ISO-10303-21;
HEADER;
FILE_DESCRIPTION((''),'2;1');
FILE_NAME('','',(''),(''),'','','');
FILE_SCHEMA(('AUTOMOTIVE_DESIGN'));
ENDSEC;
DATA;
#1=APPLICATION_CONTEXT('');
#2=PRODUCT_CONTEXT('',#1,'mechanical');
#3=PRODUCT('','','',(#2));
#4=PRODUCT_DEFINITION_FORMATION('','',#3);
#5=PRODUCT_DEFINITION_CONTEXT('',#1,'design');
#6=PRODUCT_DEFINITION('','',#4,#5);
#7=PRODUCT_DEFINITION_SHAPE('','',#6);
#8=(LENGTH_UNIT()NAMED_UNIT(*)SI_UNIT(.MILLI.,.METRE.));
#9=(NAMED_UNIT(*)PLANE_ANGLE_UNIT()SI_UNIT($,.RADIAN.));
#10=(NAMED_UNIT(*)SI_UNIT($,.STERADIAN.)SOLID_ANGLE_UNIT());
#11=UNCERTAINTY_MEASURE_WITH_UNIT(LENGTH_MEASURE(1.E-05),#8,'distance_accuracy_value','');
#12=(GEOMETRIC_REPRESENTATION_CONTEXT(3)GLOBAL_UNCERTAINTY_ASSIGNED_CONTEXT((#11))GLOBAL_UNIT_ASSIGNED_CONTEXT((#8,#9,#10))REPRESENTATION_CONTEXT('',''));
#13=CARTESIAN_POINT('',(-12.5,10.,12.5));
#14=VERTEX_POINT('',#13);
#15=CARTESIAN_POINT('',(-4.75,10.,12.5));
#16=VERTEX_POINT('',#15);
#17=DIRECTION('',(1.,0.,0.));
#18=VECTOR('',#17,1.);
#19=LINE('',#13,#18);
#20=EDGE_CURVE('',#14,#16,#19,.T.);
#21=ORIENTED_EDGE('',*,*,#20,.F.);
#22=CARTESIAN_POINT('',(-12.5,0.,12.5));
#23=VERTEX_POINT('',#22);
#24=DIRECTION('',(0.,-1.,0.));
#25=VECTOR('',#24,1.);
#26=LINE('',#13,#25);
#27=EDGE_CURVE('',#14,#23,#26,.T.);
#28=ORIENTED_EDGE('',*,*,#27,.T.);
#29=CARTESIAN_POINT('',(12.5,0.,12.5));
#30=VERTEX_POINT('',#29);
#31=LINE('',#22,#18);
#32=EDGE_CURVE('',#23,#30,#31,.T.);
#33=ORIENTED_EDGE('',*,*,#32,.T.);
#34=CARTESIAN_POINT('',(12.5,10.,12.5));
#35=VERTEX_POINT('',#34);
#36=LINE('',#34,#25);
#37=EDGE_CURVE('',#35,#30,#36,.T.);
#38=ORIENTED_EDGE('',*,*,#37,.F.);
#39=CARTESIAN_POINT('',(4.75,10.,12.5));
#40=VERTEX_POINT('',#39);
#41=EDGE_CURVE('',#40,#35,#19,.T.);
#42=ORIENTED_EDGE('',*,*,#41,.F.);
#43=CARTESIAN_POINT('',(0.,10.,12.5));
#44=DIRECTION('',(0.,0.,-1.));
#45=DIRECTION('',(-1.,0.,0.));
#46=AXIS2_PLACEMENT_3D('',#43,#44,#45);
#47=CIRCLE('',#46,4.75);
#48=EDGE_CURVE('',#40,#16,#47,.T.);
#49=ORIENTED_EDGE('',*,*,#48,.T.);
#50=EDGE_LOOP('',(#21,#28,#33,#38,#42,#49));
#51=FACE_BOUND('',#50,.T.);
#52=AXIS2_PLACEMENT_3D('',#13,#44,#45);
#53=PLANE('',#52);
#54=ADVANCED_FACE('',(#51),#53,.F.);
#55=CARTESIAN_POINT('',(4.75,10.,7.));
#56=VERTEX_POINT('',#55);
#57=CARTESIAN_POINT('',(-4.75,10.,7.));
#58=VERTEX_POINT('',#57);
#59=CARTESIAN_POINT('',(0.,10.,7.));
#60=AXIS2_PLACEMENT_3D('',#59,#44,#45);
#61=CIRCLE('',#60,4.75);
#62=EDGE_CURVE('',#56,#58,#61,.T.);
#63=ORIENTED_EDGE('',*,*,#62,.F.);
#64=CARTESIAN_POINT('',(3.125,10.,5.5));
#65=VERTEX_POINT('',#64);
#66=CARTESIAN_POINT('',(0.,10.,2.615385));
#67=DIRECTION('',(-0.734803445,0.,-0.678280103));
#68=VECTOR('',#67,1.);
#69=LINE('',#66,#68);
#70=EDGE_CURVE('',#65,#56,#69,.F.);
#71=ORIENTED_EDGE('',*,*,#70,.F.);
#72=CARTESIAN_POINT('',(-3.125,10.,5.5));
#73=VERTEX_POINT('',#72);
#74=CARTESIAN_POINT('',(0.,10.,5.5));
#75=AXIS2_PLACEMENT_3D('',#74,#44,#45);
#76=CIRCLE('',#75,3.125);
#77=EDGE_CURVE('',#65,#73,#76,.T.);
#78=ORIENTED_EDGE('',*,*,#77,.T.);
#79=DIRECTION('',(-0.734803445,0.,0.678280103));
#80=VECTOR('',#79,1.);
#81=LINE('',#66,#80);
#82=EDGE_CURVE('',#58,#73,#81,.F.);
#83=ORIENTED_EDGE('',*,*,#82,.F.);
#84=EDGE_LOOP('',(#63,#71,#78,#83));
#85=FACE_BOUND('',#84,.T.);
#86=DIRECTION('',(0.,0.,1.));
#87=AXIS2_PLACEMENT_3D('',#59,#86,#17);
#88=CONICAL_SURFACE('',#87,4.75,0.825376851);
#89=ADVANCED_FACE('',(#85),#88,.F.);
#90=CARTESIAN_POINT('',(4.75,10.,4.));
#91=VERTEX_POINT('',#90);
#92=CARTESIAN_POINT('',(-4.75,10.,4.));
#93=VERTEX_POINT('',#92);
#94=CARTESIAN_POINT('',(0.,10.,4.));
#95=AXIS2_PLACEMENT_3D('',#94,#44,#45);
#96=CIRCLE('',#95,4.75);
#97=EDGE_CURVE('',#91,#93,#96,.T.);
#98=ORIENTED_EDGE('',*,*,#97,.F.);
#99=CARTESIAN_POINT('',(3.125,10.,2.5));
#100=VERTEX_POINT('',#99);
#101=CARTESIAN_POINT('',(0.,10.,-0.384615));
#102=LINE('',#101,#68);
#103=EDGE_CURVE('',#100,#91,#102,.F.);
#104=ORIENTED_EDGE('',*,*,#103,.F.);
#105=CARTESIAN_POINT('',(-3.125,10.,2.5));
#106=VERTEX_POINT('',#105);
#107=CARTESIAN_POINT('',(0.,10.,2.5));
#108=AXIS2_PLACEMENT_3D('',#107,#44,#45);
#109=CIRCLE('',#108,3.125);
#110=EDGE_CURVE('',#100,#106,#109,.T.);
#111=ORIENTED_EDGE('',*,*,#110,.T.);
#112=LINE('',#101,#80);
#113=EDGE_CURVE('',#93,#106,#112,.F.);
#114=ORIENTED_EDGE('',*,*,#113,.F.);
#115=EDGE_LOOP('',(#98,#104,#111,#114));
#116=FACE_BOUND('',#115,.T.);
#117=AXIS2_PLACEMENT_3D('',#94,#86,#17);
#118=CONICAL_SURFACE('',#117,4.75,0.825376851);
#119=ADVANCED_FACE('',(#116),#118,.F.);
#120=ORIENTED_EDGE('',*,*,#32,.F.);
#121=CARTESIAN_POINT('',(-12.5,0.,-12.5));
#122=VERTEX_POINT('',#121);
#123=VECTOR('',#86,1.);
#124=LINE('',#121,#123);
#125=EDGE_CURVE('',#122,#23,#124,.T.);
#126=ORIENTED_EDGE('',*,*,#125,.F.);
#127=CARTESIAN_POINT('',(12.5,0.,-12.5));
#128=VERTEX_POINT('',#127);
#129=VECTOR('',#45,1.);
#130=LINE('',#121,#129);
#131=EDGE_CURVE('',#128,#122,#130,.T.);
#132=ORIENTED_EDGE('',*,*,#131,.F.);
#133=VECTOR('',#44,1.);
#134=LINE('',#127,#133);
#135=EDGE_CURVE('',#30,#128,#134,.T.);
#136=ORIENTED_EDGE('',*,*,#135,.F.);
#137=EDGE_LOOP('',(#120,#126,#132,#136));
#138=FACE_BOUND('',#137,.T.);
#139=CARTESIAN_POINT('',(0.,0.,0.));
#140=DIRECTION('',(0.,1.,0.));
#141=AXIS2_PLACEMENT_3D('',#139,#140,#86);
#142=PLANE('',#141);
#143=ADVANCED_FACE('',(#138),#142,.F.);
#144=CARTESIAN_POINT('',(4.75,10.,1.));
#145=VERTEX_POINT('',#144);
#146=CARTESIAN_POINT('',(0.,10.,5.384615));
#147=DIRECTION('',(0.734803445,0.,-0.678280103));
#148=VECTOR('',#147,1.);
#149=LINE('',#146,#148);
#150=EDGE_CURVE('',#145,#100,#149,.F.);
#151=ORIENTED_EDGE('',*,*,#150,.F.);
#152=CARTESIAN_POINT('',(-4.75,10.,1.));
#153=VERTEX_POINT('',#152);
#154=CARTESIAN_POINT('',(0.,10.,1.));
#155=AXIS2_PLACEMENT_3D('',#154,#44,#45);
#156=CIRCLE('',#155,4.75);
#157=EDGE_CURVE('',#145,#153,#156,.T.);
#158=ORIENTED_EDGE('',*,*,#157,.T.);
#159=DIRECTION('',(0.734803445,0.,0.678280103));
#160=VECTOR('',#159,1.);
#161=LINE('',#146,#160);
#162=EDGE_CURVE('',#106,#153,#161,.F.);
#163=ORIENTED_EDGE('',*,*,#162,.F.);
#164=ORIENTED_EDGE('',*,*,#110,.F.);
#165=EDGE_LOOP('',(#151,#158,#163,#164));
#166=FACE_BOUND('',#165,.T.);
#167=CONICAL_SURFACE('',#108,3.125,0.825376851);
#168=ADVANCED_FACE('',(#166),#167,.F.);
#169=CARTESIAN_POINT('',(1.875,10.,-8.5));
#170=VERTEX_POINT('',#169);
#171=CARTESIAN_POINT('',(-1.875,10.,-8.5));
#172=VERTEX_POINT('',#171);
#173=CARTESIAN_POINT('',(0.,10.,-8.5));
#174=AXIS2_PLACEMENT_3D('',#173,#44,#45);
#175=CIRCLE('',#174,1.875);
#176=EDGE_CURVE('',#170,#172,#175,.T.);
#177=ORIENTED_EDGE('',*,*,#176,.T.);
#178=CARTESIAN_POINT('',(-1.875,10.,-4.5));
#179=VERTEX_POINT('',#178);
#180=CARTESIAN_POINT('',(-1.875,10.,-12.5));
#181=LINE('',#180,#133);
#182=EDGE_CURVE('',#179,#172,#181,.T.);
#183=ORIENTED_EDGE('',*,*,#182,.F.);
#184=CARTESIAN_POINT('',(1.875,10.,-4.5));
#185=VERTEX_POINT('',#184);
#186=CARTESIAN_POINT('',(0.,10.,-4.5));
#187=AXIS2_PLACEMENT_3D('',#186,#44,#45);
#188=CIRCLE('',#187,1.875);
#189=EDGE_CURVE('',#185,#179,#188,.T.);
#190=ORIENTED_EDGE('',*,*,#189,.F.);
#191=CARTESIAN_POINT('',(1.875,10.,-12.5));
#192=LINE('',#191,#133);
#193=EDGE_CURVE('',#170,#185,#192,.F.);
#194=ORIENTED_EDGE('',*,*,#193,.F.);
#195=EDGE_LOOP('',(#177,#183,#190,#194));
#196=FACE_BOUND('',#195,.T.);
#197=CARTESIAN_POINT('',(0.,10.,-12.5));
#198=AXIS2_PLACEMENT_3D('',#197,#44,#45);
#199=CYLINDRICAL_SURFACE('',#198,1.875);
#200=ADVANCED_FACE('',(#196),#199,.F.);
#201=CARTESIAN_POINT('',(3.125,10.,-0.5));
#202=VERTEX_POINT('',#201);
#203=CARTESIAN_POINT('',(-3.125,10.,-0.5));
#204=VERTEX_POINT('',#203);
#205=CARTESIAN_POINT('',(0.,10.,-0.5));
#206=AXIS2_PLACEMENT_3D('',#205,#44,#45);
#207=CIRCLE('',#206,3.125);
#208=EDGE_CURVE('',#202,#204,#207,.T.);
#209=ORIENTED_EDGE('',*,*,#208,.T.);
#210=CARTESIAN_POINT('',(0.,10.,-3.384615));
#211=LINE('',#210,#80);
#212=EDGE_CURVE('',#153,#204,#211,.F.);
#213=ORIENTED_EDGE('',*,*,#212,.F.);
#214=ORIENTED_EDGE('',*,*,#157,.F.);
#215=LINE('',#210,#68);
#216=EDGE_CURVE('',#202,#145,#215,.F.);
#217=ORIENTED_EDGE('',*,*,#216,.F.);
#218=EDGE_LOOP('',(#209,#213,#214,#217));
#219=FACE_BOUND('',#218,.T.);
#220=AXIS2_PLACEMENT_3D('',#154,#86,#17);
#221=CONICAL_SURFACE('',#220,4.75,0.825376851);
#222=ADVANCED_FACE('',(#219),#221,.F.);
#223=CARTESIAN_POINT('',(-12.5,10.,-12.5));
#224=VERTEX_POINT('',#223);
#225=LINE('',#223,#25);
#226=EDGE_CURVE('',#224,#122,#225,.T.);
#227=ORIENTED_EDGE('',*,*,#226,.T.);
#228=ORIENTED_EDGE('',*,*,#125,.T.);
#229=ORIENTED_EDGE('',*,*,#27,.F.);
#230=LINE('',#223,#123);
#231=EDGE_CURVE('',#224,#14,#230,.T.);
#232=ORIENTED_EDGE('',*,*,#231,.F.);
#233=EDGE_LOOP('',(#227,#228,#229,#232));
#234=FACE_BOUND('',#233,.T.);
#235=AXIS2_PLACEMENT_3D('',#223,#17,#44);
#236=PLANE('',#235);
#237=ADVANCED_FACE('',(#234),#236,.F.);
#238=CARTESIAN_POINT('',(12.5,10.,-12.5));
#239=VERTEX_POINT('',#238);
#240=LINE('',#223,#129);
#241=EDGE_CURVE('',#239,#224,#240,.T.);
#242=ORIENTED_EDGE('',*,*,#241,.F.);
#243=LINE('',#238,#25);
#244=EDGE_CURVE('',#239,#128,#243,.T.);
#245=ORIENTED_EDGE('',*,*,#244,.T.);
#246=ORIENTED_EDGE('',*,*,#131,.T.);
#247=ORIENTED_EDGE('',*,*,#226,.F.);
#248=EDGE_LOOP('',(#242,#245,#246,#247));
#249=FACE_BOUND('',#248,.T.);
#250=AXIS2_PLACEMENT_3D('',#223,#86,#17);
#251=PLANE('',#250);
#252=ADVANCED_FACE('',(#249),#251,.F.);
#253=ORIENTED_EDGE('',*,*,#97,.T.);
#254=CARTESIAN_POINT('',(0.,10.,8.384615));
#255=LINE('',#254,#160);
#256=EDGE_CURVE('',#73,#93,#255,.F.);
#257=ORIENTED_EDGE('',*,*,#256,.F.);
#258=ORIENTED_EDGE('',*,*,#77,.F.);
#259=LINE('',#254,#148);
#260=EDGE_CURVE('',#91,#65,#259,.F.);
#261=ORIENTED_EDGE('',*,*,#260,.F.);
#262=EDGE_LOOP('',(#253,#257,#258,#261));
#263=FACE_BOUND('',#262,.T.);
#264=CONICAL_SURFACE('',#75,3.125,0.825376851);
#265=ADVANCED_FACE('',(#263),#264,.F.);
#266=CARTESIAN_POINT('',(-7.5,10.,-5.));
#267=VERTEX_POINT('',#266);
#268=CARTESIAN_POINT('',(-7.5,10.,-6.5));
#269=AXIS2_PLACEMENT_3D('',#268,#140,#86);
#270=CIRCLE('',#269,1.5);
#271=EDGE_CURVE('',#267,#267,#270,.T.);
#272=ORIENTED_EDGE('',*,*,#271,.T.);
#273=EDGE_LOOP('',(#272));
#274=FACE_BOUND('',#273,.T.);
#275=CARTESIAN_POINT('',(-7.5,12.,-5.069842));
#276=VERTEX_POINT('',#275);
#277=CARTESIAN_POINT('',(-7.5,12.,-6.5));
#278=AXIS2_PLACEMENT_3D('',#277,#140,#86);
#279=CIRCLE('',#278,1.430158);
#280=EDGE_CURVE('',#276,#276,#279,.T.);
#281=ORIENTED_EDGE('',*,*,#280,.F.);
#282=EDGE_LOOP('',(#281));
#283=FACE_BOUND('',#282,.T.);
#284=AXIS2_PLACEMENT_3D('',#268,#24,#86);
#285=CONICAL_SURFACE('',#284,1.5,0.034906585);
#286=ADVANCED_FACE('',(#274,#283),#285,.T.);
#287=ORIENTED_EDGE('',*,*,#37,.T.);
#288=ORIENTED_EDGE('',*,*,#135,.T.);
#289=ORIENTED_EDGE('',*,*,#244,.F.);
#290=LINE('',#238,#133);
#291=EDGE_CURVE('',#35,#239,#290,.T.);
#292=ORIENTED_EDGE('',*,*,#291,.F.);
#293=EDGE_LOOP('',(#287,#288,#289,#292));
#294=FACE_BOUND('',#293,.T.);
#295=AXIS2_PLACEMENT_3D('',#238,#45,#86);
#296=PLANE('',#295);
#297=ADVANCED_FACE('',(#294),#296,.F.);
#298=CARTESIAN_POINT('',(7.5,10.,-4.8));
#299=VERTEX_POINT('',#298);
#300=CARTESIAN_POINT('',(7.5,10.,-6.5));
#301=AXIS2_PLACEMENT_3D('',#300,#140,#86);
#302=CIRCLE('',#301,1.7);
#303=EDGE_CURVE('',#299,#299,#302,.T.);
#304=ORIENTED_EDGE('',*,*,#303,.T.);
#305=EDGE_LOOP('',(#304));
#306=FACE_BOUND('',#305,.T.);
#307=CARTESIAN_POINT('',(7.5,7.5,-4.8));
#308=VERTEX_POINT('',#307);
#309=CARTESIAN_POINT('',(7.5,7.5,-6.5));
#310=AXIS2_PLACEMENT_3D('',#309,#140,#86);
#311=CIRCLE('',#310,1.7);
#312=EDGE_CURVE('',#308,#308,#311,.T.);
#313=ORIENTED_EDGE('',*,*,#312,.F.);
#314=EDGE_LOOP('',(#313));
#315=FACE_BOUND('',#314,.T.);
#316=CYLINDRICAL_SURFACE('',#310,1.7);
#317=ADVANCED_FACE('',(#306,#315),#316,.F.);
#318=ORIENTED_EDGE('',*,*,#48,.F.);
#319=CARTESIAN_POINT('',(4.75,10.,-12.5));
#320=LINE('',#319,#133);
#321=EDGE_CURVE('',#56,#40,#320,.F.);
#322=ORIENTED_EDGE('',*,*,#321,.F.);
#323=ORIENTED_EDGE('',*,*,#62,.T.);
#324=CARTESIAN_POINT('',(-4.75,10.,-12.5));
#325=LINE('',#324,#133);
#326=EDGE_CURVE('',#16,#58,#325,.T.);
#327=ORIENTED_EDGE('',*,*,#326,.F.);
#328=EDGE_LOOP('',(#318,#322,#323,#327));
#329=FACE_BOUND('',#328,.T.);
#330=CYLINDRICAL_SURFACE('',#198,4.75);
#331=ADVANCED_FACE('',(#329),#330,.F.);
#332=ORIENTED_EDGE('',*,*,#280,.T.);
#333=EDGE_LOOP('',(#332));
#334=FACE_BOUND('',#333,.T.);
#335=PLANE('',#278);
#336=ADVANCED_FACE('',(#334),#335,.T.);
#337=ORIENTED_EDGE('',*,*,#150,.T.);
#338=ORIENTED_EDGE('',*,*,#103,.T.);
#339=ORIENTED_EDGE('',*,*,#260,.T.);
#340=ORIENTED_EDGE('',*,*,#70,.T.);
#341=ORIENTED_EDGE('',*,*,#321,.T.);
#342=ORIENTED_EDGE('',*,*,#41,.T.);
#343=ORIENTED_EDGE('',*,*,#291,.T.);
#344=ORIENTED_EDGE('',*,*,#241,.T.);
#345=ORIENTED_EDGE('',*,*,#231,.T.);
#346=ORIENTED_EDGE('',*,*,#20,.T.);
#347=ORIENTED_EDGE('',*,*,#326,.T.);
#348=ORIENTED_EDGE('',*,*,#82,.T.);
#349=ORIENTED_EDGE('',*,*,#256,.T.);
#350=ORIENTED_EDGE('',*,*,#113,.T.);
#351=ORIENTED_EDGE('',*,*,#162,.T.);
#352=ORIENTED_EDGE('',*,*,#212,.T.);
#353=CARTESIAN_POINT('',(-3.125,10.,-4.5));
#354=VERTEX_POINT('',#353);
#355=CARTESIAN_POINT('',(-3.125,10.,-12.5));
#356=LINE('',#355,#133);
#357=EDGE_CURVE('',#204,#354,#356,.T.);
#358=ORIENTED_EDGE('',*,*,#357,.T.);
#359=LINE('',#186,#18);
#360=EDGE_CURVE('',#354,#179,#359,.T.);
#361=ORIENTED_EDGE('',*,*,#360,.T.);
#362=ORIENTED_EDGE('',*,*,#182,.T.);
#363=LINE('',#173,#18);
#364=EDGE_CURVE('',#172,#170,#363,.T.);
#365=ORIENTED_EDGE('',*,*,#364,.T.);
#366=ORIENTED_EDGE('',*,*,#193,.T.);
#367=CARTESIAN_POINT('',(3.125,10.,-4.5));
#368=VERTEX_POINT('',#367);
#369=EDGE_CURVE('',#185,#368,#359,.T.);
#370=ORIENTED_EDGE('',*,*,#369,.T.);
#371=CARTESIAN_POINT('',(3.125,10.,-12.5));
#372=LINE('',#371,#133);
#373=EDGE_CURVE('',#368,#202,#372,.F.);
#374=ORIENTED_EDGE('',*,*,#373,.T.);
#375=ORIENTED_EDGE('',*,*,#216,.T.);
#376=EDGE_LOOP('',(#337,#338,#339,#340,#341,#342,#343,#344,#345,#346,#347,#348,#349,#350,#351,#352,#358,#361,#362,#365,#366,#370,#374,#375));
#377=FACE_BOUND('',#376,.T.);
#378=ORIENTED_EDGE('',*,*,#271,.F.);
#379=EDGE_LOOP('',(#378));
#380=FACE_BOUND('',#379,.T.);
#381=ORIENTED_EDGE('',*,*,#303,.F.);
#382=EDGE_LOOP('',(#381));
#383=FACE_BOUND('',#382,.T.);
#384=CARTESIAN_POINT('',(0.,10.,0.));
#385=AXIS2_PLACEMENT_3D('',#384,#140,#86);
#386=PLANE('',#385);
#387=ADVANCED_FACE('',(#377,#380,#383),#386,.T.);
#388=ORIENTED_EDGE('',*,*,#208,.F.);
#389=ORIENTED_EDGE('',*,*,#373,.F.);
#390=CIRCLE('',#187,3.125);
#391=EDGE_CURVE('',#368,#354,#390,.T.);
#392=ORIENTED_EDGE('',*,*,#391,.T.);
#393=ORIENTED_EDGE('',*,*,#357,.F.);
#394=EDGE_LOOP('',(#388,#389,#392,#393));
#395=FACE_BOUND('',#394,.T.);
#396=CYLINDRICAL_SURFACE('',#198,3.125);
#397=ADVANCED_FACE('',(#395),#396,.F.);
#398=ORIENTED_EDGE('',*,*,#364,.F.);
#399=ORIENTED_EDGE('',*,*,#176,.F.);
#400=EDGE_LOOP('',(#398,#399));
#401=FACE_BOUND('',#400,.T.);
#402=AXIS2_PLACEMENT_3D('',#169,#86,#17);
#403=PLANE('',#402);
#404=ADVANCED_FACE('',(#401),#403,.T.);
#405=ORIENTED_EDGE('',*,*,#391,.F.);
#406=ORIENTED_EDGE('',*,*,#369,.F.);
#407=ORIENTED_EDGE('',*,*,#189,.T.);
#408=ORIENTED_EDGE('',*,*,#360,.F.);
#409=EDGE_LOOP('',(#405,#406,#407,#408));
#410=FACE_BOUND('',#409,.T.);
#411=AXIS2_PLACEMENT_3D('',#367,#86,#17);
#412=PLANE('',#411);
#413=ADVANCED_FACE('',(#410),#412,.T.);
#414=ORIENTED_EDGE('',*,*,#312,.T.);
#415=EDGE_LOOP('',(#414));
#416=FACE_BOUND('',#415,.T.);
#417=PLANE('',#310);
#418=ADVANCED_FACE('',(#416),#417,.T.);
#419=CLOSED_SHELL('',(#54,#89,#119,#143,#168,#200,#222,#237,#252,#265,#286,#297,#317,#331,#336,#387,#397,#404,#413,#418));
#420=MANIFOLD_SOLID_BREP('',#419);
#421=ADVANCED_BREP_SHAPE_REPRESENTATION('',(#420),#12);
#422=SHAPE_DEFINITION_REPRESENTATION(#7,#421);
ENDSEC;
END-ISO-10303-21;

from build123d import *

# Parameters (mm, degrees)
SKETCH2_W           = 25
SKETCH2_H           = 25
BOSS_EXTRUDE1_DEPTH = 10
SKETCH4_R           = 1.5
BOSS_EXTRUDE2_DEPTH = 2
BOSS_EXTRUDE2_TAPER = 2
SKETCH5_R           = 1.7
CUT_EXTRUDE1_DEPTH  = 2.5


with BuildPart() as part:
    # Sketch2 → Boss-Extrude1 (new body)
    with BuildSketch(Plane(origin=(0, 0, 0), x_dir=(1, 0, 0), z_dir=(0, 1, 0))):
        Rectangle(SKETCH2_W, SKETCH2_H)
    extrude(amount=BOSS_EXTRUDE1_DEPTH)

    # Sketch3 → Cut-Revolve1 (revolve, cut)
    with BuildSketch(Plane(origin=(0, 10, 0), x_dir=(1, 0, 0), z_dir=(0, 1, 0))):
        Polygon((0, -12.5), (4.75, -12.5), (4.75, -7), (3.125, -5.5), (4.75, -4), (3.125, -2.5), (4.75, -1), (3.125, 0.5), (3.125, 4.5), (1.875, 4.5), (1.875, 8.5), (0, 8.5), align=None)
    revolve(axis=Axis((0, 10, -12.5), (0, 0, 1)), mode=Mode.SUBTRACT)

    # Sketch4 → Boss-Extrude2 (add)
    with BuildSketch(Plane(origin=(0, 10, 0), x_dir=(1, 0, 0), z_dir=(0, 1, 0))):
        with Locations((-7.5, 6.5)):
            Circle(SKETCH4_R)
    extrude(amount=BOSS_EXTRUDE2_DEPTH, taper=BOSS_EXTRUDE2_TAPER)

    # Sketch5 → Cut-Extrude1 (cut)
    with BuildSketch(Plane(origin=(0, 10, 0), x_dir=(1, 0, 0), z_dir=(0, 1, 0))):
        with Locations((7.5, 6.5)):
            Circle(SKETCH5_R)
    extrude(amount=-CUT_EXTRUDE1_DEPTH, mode=Mode.SUBTRACT)


solid = part.part
